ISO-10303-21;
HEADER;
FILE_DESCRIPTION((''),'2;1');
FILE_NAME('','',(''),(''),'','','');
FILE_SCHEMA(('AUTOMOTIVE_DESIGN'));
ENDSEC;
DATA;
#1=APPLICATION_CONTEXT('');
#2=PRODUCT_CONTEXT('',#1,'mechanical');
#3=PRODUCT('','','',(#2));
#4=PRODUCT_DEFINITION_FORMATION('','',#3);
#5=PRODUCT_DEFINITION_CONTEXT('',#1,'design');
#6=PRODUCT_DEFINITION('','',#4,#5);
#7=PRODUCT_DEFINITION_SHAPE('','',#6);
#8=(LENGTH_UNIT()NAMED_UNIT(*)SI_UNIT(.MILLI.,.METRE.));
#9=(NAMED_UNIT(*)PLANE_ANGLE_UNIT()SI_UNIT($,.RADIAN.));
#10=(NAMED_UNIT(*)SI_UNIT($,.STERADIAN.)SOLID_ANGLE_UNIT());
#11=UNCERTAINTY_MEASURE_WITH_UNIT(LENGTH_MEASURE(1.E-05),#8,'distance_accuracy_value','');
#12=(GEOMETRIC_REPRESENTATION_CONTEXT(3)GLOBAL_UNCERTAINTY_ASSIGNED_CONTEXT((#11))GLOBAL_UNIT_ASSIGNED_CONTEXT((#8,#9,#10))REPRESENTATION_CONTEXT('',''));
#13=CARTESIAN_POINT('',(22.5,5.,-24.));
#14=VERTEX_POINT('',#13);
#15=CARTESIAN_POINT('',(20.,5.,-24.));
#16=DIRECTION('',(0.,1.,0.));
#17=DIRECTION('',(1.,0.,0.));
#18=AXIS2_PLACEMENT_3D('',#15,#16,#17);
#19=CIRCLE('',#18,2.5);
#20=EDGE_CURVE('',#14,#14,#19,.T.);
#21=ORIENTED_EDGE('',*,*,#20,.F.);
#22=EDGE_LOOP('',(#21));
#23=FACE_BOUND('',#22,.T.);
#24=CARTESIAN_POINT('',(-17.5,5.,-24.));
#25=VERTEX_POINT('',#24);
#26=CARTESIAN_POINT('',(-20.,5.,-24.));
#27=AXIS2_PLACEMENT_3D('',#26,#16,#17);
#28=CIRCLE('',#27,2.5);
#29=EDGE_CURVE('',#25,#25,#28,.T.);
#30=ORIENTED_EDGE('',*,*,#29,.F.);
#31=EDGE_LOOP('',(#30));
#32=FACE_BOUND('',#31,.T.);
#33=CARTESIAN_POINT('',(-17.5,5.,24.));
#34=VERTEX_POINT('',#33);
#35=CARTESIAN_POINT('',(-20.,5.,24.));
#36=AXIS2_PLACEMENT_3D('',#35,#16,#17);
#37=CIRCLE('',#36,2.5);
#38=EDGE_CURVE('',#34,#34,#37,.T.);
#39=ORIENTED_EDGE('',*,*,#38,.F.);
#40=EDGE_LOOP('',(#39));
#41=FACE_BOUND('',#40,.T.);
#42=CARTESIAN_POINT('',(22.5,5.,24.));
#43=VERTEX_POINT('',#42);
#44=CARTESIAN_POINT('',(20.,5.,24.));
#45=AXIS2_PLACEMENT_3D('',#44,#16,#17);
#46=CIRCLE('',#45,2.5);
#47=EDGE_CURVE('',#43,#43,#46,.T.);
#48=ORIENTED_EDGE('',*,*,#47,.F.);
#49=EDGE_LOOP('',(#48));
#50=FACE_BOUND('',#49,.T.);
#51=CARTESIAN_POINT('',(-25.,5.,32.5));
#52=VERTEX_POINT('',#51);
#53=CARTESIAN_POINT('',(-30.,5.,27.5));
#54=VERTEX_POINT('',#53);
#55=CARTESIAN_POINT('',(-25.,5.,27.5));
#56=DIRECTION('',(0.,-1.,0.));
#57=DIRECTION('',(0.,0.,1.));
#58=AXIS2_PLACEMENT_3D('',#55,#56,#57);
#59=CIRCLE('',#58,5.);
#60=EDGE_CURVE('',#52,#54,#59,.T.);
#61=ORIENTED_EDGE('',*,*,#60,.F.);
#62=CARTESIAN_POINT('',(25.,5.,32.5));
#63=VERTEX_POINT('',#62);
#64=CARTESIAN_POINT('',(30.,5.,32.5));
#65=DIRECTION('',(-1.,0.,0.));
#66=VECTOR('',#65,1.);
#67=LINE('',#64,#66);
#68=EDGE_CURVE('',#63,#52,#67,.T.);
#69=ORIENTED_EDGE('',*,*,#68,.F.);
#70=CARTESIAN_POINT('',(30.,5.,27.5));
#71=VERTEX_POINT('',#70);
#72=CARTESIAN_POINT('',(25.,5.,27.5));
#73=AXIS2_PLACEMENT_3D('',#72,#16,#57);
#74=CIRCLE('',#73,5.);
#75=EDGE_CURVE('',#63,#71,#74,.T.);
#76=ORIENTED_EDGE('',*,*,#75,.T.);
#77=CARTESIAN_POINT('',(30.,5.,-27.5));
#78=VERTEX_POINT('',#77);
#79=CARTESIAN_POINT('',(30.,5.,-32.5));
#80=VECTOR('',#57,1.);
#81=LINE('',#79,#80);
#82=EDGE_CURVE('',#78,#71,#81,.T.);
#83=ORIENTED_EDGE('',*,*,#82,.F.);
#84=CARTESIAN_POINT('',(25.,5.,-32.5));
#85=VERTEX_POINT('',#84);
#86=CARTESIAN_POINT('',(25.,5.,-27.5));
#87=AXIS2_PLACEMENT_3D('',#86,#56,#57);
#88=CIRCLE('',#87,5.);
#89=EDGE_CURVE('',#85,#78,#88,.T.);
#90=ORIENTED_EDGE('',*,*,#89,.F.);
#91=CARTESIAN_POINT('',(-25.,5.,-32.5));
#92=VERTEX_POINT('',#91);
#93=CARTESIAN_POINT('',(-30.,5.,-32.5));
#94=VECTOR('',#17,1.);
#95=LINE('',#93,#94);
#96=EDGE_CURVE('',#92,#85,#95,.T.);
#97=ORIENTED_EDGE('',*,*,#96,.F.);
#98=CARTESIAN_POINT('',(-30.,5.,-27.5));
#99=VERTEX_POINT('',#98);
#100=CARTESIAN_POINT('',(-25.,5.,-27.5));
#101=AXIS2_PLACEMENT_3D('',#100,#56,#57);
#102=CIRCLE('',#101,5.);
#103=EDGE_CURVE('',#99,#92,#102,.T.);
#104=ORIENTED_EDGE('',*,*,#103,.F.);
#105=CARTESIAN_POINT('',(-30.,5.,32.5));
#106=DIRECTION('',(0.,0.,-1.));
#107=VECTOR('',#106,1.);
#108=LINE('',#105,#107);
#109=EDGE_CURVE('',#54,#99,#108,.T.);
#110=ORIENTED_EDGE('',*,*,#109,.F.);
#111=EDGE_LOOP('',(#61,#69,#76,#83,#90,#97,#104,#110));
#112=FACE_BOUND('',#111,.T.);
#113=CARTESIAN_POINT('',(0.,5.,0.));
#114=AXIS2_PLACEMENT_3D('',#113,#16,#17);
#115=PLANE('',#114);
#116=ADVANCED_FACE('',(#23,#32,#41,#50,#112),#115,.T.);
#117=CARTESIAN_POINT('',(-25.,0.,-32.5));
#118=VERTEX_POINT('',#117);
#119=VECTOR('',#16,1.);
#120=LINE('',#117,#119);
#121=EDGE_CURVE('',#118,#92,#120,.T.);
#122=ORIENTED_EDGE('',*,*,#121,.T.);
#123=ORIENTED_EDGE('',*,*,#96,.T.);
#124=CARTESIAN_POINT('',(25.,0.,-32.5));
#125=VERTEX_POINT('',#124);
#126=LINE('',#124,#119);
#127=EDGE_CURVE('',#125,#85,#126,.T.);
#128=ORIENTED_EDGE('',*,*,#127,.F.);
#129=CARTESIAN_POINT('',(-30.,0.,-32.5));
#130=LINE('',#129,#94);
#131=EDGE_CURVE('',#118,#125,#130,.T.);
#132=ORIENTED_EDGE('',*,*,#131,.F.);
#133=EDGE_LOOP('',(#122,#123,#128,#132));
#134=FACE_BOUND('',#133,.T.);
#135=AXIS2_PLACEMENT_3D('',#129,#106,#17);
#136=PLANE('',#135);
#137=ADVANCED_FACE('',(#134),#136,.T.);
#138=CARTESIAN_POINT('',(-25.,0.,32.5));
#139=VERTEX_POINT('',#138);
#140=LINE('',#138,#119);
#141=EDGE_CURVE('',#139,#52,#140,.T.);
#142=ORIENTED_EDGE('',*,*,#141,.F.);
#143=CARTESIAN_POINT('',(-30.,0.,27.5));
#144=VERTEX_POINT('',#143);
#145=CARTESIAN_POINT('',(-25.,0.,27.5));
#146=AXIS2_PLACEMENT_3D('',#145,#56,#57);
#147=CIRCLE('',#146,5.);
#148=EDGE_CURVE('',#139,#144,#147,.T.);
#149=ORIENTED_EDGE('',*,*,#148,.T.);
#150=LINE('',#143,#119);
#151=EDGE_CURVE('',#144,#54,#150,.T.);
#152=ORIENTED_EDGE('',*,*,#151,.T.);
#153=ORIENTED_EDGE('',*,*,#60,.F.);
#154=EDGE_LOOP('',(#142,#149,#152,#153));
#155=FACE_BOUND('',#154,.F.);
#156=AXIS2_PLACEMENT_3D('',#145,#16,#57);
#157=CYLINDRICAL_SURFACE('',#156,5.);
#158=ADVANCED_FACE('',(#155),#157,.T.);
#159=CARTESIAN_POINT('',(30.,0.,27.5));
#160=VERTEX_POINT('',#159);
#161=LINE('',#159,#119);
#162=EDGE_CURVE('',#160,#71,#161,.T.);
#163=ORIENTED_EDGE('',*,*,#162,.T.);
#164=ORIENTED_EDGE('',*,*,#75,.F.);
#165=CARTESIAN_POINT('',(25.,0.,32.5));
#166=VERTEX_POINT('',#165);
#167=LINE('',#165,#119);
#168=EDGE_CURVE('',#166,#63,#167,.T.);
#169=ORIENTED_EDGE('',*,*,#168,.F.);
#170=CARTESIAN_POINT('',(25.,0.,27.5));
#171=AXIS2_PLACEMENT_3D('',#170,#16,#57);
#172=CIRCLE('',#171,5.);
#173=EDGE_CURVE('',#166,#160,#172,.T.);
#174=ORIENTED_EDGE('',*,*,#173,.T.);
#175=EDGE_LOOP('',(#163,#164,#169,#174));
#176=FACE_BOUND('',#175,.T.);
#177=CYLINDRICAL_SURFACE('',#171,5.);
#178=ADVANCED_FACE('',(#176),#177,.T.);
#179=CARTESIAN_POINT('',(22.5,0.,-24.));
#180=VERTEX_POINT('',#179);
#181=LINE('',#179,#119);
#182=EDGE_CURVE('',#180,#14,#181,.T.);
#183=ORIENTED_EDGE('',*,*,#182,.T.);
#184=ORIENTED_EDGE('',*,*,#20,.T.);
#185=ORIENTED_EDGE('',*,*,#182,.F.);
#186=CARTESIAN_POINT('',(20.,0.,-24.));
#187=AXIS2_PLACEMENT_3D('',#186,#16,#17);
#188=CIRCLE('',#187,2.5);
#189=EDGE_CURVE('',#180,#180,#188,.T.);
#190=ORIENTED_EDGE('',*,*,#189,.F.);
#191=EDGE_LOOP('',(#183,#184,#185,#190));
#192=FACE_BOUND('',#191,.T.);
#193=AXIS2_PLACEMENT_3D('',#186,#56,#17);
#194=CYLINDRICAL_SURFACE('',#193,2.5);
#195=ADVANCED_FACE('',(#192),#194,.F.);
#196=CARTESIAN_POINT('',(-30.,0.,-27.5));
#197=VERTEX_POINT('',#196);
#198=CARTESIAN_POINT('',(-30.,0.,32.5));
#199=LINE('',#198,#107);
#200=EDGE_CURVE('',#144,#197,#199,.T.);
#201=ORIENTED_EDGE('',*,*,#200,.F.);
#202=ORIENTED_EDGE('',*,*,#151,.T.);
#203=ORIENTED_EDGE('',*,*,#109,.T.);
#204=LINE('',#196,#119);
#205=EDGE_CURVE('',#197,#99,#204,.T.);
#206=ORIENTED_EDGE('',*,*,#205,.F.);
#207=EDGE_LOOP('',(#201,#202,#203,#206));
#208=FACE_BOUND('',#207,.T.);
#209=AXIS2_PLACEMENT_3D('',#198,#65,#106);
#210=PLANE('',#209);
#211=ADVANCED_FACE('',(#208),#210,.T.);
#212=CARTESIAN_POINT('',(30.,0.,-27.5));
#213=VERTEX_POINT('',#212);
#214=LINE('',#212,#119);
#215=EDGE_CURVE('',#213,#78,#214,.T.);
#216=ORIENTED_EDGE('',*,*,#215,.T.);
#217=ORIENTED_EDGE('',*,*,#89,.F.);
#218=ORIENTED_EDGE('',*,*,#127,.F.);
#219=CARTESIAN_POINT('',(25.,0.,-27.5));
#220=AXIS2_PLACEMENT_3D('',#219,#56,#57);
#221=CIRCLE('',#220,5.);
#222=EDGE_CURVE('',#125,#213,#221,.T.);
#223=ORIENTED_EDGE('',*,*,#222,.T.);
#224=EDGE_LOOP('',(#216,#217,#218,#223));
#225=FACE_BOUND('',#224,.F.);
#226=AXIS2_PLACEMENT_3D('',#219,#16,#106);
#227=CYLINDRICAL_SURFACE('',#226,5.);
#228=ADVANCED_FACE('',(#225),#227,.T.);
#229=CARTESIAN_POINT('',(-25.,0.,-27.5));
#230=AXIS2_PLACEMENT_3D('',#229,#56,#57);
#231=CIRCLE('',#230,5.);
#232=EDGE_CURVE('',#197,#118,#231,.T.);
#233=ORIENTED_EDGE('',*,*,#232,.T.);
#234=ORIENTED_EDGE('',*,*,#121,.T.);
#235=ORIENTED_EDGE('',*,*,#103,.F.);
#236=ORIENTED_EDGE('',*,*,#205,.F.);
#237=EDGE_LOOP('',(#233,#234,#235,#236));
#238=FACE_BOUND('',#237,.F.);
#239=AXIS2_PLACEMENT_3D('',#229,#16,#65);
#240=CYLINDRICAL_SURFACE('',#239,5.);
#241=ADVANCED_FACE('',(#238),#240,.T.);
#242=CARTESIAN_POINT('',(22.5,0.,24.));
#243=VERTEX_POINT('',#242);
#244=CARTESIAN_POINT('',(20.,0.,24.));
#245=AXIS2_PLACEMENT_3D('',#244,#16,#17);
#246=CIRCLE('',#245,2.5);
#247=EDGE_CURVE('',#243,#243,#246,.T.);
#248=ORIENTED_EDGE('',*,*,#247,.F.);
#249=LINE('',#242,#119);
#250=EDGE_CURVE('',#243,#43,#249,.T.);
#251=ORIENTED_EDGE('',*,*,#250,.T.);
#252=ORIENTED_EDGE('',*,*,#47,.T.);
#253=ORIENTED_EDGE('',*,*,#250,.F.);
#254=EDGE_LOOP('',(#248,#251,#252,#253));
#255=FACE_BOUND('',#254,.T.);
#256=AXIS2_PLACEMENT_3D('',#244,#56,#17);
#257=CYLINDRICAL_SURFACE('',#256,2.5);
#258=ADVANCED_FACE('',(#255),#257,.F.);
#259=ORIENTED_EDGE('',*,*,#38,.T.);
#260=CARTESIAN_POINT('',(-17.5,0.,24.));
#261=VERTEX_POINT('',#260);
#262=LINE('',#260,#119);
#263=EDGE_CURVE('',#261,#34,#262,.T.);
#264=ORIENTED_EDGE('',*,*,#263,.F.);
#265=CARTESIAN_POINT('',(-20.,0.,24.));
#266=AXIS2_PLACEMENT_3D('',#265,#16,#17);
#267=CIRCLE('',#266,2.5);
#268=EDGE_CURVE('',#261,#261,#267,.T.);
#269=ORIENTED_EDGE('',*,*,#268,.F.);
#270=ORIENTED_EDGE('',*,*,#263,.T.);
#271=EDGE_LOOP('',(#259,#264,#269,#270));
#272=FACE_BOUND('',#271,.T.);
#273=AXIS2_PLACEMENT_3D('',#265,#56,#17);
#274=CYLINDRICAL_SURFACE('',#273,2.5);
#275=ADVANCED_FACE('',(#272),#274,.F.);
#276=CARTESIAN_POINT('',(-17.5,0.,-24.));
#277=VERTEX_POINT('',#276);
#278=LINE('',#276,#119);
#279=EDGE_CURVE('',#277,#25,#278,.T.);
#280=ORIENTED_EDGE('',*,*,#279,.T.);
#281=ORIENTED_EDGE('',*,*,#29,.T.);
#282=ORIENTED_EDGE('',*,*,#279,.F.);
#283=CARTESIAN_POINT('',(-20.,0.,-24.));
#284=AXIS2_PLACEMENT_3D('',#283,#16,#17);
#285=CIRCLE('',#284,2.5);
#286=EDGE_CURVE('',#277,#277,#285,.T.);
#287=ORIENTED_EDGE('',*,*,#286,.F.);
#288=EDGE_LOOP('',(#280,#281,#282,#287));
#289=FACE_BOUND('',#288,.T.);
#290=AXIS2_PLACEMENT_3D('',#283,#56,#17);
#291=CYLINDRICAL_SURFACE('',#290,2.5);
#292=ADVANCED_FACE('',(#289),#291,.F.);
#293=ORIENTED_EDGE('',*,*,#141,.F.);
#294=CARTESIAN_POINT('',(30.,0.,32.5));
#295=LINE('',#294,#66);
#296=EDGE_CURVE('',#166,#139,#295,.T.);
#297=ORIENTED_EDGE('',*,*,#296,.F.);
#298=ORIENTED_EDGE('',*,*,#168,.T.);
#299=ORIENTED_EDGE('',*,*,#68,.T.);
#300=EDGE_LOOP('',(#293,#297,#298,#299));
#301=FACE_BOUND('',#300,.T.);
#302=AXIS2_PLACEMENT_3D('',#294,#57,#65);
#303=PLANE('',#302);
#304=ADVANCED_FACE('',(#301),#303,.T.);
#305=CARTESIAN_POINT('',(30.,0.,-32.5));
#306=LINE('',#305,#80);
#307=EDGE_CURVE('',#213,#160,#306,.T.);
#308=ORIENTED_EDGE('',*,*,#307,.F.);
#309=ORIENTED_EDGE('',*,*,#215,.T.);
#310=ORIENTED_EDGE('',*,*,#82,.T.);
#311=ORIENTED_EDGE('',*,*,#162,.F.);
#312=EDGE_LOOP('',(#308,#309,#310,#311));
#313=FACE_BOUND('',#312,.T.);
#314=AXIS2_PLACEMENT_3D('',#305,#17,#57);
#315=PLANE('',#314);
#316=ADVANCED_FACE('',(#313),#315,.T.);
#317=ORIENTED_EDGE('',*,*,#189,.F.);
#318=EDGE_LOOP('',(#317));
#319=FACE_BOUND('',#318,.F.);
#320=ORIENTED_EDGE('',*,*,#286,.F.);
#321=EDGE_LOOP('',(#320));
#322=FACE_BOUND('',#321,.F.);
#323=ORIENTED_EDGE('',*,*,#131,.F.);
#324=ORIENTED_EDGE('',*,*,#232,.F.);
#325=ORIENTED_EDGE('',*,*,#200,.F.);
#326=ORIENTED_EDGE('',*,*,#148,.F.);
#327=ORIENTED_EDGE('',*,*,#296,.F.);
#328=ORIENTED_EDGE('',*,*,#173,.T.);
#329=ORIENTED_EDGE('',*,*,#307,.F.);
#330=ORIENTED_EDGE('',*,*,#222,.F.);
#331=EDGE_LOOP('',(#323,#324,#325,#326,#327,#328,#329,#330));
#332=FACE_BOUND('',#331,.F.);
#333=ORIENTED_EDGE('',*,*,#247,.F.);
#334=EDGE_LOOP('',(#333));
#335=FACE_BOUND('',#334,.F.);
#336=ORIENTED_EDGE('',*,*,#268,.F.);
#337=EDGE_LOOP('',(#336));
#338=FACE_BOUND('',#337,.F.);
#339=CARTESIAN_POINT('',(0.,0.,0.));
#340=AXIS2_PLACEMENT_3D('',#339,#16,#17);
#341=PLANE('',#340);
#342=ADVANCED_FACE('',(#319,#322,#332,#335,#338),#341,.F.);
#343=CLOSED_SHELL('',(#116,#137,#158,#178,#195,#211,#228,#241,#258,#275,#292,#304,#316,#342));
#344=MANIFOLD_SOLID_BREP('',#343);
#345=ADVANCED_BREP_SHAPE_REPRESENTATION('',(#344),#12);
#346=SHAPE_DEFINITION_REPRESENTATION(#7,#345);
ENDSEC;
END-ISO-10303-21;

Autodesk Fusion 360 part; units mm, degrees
sketch "Sketch1" plane through (0, 0, 0) normal (0, 1, 0) x (1, 0, 0)
  line L0 (30, -32.5) -> (-30, -32.5)
  line L1 (-30, -32.5) -> (-30, 32.5)
  line L2 (-30, 32.5) -> (30, 32.5)
  line L3 (30, 32.5) -> (30, -32.5)
  circle A0 centre (-20, 24) radius 2.5
  circle A1 centre (20, 24) radius 2.5
  line L4 (0, 0) -> (0, 5)
  line L5 (0, 0) -> (5, 0)
  circle A2 centre (-20, -24) radius 2.5
  circle A3 centre (20, -24) radius 2.5
  dimension "d1" = 60
  dimension "d2" = 65
  dimension "d5" = 5
  dimension "d6" = 5
  dimension "d13" = 24
  dimension "d14" = 24
extrude "Extrude1" add sketch "Sketch1" along normal blind 5
fillet "Fillet1" radius 5 4 edges at (-30, 2.5, -32.5) (30, 2.5, -32.5) (-30, 2.5, 32.5) (30, 2.5, 32.5)
